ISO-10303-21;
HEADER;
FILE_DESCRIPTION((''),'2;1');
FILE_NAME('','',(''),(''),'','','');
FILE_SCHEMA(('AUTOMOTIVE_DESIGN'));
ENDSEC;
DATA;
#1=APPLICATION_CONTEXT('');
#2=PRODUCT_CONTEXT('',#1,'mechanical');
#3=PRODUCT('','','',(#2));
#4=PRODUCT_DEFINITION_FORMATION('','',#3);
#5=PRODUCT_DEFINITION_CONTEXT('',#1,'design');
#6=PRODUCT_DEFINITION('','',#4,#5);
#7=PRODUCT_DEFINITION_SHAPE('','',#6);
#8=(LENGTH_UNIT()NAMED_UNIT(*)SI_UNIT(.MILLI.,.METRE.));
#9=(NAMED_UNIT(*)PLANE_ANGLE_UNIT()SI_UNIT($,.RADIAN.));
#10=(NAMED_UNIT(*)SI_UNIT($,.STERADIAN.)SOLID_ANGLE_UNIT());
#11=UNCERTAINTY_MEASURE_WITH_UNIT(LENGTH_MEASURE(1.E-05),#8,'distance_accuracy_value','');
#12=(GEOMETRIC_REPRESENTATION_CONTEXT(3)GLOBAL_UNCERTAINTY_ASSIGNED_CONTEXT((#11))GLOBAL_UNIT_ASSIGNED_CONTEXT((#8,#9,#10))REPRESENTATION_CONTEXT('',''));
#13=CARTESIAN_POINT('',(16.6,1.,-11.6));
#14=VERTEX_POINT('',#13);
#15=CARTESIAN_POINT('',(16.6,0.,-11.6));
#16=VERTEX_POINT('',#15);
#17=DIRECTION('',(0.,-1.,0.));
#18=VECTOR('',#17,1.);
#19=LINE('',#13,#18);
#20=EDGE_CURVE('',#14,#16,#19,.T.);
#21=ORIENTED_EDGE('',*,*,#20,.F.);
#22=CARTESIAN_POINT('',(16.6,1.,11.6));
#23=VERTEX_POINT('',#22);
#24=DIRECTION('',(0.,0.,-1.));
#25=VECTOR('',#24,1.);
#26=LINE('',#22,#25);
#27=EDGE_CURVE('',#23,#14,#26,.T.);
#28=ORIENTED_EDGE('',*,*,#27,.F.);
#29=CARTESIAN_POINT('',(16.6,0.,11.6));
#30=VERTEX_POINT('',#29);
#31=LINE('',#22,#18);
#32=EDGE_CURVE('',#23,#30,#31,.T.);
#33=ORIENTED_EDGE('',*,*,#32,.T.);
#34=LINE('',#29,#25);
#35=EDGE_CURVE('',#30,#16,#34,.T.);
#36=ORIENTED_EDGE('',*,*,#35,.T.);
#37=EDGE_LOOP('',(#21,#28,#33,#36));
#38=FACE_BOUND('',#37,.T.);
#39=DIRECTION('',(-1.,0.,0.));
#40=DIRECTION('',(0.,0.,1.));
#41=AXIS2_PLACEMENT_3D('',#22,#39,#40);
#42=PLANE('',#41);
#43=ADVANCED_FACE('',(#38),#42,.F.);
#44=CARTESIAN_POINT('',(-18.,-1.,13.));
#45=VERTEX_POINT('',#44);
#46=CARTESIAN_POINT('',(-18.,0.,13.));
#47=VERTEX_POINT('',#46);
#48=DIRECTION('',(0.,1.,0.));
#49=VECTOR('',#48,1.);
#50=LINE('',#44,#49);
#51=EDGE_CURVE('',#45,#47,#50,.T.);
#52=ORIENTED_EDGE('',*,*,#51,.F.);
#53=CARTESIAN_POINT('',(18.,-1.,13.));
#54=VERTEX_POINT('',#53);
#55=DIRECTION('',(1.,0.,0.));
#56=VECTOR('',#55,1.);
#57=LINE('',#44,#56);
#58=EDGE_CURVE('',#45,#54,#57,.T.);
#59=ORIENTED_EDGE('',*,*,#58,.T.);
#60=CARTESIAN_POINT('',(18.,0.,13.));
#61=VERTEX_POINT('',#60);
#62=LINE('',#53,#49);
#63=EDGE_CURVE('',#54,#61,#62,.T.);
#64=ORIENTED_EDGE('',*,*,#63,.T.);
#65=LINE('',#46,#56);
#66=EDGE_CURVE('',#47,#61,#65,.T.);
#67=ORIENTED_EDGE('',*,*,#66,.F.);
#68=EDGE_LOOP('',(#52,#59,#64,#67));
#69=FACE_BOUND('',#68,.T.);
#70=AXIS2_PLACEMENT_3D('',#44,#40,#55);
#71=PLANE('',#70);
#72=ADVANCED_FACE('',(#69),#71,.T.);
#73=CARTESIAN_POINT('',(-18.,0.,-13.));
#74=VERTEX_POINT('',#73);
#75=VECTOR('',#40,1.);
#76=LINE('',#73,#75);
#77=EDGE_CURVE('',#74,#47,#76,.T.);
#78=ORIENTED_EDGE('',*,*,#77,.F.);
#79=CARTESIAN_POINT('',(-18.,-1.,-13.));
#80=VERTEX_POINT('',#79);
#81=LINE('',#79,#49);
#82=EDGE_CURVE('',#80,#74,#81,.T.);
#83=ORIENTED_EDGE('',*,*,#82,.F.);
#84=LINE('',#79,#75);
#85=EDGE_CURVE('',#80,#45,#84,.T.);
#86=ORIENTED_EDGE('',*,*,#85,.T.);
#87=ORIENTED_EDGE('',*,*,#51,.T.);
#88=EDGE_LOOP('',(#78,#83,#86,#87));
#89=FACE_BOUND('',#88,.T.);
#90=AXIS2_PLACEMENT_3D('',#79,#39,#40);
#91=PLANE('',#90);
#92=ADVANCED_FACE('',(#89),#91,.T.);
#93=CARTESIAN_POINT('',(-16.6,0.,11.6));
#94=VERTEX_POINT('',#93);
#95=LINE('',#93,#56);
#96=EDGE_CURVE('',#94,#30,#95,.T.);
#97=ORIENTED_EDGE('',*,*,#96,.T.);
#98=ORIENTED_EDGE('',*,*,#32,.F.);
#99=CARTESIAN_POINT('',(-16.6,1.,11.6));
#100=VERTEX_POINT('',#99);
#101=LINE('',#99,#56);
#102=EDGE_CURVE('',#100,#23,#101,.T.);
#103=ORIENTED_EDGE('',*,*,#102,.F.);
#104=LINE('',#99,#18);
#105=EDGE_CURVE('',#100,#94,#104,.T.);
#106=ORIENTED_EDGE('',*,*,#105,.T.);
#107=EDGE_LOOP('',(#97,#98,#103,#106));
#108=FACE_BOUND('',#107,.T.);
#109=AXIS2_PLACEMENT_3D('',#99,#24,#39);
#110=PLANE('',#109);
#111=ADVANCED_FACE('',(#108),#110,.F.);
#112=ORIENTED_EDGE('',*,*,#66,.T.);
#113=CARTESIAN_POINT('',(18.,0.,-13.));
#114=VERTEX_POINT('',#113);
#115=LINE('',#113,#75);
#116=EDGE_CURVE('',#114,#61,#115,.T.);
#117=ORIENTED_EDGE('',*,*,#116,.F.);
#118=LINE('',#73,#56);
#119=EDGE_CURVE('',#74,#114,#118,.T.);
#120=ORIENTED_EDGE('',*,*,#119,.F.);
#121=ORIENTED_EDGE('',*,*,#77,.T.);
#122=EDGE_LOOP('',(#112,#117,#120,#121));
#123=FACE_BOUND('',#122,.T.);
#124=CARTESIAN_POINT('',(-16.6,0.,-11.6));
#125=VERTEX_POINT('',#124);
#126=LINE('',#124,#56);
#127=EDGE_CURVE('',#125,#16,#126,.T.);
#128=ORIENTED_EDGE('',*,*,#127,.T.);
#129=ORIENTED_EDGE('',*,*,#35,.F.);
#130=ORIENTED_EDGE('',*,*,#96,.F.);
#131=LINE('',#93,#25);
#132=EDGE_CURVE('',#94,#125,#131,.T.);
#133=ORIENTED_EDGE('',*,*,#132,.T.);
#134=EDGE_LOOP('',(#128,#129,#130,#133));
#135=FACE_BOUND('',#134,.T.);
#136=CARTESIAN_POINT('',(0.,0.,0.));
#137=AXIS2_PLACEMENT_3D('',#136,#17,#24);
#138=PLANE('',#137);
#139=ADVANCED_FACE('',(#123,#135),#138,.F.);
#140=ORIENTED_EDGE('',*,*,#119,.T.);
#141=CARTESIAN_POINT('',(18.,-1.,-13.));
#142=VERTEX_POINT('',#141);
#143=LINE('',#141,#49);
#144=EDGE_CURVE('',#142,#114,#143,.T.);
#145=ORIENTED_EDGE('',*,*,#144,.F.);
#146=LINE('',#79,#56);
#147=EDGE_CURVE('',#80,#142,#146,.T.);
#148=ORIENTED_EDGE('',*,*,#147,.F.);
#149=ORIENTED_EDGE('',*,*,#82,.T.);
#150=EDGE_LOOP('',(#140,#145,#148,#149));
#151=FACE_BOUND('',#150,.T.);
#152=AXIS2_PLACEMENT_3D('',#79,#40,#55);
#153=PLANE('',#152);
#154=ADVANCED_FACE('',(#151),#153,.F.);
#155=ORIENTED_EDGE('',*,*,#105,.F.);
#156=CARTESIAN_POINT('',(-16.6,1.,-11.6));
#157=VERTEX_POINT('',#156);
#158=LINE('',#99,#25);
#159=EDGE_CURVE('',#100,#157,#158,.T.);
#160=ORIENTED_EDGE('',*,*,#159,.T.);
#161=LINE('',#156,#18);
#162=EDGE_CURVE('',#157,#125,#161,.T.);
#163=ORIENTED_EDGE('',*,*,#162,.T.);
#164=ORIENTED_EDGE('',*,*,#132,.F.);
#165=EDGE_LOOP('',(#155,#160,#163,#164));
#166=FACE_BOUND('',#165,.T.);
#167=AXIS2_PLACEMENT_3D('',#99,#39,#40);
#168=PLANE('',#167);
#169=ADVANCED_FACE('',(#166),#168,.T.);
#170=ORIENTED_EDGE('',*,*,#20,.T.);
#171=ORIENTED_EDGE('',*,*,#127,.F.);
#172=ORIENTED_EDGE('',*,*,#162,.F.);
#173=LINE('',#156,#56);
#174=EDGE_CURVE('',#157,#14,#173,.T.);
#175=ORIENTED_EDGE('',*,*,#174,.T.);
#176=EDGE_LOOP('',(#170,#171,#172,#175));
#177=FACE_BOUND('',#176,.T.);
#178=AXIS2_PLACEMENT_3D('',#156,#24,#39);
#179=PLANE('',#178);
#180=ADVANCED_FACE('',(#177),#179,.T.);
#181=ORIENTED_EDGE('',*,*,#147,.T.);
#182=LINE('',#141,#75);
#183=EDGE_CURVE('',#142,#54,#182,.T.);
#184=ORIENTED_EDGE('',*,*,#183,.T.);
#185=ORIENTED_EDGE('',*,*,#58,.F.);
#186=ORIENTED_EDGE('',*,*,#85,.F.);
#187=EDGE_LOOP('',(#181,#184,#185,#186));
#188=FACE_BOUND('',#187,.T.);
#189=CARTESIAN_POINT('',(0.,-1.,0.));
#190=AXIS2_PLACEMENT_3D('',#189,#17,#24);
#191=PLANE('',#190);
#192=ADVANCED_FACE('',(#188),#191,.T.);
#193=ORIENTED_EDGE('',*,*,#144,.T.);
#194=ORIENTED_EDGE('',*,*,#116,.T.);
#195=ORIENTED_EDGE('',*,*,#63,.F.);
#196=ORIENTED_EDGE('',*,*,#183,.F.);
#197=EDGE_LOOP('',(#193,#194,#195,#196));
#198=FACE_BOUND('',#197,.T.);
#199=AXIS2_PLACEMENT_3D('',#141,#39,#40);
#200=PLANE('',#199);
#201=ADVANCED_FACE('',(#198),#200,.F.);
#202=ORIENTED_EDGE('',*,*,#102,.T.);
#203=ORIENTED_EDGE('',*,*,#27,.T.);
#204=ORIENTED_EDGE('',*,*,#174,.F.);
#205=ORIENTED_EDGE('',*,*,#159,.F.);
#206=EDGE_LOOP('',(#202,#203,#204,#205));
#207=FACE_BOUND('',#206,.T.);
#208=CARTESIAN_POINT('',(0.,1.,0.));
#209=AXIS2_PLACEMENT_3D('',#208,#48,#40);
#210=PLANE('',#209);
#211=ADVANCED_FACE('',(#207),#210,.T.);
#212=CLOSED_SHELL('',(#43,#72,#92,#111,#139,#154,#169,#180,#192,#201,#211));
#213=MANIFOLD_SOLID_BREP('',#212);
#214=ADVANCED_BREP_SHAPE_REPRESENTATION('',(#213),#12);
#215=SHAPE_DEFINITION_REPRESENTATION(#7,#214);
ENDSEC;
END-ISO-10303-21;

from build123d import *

# Parameters (mm, degrees)
SKETCH_1_W      = 36
SKETCH_1_H      = 26
EXTRUDE_1_DEPTH = 1
SKETCH_3_W      = 33.2
SKETCH_3_H      = 23.2
EXTRUDE_2_DEPTH = 1


with BuildPart() as part:
    # 草图1 → 凸台-拉伸1 (new body)
    with BuildSketch(Plane(origin=(0, 0, 0), x_dir=(1, 0, 0), z_dir=(0, 1, 0))):
        Rectangle(SKETCH_1_W, SKETCH_1_H)
    extrude(amount=-EXTRUDE_1_DEPTH)

    # 草图3 → 凸台-拉伸2 (add)
    with BuildSketch(Plane(origin=(0, 0, 0), x_dir=(1, 0, 0), z_dir=(0, 1, 0))):
        Rectangle(SKETCH_3_W, SKETCH_3_H)
    extrude(amount=EXTRUDE_2_DEPTH)


solid = part.part
